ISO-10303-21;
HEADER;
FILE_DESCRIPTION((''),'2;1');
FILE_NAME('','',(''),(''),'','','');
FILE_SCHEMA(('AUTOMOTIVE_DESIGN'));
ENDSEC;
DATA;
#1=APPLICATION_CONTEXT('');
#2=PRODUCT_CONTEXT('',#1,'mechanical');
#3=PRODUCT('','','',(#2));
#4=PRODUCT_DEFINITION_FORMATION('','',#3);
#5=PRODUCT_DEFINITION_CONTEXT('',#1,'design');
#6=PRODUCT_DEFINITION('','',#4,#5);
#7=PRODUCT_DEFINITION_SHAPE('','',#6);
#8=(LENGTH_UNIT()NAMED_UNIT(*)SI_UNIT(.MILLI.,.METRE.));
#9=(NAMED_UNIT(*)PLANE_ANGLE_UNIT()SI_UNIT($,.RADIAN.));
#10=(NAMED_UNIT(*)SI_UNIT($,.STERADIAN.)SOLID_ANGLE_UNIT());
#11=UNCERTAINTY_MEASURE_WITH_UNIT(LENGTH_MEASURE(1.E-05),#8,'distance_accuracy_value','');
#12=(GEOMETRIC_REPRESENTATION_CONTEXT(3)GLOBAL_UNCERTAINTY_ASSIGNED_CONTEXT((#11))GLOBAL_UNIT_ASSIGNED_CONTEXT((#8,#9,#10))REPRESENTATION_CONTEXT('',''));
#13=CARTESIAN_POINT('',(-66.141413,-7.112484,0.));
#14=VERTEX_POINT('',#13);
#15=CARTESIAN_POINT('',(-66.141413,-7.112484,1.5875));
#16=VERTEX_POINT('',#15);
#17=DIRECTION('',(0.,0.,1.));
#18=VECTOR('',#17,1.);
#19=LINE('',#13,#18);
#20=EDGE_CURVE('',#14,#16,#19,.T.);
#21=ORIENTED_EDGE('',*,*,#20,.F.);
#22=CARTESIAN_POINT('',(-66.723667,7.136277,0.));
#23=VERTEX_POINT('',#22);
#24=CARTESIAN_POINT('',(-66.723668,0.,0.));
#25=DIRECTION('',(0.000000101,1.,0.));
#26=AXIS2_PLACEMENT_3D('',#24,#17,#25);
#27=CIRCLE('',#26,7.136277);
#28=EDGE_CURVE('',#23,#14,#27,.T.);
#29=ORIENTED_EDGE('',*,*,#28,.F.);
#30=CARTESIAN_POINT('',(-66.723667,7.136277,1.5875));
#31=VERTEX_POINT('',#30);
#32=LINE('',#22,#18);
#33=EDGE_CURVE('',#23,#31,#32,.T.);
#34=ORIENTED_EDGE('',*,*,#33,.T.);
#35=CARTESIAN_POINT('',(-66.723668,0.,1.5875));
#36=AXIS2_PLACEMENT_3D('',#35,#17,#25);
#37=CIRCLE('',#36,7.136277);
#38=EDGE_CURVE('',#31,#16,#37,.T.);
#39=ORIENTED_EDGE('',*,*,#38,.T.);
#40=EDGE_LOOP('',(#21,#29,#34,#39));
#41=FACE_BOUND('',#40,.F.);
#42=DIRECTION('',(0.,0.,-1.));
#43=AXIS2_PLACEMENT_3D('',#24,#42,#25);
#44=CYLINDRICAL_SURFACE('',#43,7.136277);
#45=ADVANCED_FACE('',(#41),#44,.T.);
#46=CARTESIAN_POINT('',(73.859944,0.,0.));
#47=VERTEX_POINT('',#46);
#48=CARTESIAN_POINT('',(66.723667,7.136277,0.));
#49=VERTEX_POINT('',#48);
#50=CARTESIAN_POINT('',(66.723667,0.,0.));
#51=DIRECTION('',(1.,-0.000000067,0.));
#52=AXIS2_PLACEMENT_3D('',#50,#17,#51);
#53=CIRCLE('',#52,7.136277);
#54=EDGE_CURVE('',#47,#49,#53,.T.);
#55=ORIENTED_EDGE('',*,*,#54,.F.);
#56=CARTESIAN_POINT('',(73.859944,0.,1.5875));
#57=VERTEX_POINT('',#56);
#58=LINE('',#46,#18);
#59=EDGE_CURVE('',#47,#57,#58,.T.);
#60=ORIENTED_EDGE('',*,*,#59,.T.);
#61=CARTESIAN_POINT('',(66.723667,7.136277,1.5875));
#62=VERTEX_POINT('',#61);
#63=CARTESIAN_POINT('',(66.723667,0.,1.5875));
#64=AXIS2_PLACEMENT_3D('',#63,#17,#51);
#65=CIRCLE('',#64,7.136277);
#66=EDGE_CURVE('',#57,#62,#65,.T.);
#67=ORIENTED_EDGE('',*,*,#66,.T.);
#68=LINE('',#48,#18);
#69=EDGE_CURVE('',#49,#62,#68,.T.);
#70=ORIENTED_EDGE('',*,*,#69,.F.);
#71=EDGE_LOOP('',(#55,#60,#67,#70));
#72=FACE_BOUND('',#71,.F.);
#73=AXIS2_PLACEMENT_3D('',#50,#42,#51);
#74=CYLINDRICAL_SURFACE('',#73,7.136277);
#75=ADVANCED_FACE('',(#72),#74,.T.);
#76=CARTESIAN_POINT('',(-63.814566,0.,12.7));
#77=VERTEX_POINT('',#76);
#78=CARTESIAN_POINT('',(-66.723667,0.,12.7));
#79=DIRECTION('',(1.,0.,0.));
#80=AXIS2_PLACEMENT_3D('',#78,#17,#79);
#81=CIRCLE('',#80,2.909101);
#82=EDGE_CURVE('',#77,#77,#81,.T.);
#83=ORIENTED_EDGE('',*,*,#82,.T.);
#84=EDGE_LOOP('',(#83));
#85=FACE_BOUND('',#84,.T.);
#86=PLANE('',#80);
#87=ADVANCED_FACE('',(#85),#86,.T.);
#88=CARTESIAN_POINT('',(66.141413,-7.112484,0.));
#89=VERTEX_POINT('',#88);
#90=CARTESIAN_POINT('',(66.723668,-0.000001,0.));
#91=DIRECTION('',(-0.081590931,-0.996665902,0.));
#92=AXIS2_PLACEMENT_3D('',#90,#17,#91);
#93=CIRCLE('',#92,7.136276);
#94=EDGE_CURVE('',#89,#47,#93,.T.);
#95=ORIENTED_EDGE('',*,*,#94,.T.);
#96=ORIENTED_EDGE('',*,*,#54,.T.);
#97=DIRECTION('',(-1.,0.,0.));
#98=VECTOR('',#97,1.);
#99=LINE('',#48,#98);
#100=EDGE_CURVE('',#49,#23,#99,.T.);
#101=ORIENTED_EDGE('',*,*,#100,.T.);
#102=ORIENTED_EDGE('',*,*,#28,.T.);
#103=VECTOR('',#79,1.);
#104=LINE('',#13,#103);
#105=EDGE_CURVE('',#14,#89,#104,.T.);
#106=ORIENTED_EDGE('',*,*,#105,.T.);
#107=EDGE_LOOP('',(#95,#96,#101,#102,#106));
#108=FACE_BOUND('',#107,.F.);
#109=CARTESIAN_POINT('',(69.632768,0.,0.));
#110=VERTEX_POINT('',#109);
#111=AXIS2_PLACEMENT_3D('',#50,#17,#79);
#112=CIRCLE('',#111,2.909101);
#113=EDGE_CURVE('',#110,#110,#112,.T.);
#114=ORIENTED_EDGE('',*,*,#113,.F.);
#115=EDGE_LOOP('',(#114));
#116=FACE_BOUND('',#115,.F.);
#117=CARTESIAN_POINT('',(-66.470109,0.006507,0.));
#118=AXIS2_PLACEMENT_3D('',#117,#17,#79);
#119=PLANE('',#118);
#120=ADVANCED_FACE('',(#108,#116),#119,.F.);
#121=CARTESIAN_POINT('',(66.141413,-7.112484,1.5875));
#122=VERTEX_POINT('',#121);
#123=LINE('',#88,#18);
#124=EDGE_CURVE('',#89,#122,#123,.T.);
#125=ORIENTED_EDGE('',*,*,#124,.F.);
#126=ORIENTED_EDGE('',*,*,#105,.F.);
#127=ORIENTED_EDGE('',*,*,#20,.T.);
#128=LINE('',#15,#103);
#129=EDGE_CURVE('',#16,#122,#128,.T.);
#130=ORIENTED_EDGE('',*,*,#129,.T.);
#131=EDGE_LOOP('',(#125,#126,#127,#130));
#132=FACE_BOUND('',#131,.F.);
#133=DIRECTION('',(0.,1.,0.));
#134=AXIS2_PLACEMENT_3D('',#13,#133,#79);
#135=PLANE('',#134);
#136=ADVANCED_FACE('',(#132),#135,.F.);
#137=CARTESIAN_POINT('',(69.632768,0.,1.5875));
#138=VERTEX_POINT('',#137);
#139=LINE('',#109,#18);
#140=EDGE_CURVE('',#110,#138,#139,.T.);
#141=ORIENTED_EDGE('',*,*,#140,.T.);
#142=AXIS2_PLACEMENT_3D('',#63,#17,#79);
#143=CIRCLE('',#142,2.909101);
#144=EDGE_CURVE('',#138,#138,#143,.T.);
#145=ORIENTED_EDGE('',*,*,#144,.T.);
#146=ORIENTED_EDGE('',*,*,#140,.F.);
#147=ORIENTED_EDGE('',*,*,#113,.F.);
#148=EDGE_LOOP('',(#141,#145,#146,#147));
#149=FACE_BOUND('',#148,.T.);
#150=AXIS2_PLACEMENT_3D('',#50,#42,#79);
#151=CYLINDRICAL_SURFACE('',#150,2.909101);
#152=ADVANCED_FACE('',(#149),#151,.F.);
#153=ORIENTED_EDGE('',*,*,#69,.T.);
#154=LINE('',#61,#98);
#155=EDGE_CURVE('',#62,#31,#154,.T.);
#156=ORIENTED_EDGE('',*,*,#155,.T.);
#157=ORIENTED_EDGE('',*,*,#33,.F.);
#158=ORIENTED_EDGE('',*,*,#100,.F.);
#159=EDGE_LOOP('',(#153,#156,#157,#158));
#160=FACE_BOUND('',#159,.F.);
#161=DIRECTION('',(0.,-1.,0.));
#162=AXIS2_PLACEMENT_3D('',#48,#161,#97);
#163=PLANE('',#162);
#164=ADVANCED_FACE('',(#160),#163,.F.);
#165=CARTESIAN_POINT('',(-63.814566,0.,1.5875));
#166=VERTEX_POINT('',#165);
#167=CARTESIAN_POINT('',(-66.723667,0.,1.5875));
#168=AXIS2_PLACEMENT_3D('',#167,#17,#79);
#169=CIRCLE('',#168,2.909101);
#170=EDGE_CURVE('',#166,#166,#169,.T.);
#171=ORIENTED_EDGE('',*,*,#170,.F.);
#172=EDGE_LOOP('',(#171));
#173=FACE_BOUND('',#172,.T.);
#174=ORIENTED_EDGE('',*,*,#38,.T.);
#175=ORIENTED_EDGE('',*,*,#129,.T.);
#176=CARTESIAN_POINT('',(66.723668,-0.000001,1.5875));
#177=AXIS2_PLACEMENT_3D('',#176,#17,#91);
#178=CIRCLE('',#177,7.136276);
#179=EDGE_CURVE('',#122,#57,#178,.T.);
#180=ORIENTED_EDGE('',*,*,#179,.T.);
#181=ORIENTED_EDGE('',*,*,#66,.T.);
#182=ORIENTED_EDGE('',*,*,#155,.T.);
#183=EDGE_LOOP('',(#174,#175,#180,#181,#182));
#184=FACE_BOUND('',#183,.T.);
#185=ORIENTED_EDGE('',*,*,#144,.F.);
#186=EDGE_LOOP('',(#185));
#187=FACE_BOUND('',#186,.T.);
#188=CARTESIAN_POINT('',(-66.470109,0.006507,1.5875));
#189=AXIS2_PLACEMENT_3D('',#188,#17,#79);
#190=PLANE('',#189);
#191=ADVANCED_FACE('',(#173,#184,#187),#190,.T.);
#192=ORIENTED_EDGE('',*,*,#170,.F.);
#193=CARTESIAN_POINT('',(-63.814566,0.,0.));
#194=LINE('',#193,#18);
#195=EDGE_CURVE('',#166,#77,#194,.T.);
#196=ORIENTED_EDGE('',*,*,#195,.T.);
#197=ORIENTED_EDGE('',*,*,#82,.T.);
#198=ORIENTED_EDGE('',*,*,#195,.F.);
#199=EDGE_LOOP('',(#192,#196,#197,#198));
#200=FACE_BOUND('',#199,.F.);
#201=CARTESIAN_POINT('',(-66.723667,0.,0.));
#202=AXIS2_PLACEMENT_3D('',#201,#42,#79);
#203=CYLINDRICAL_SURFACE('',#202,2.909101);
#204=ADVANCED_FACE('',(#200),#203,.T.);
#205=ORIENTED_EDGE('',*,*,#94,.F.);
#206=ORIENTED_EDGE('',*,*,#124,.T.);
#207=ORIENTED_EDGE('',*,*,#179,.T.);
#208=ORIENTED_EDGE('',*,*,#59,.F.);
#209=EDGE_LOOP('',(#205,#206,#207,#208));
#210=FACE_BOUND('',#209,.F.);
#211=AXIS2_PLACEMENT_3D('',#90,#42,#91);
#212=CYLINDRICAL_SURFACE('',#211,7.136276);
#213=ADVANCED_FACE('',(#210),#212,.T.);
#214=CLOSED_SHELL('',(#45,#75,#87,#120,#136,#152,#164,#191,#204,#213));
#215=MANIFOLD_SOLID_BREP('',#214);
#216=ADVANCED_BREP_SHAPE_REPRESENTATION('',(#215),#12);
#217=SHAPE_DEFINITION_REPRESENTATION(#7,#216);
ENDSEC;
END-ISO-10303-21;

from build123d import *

# Parameters (mm, degrees)
F0_R     = 2.909101
F1_DEPTH = 1.5875
F2_DEPTH = 12.7


with BuildPart() as f1:
    # F0 (on Top) → F1 (new body)
    with BuildSketch(Plane.XY):
        with BuildLine():
            ThreePointArc((-66.141413, -7.112484), (-61.475735, -4.835872), (-59.58739, 0))
            ThreePointArc((-59.58739, 0), (-61.677557, 5.04611), (-66.723667, 7.136277))
            ThreePointArc((-66.723667, 7.136277), (-73.853994, -0.29137), (-66.141413, -7.112484))
        make_face()
        with Locations((-66.723667, 0)):
            Circle(F0_R, mode=Mode.SUBTRACT)
        with BuildLine():
            ThreePointArc((-66.723667, 7.136277), (-61.677557, 5.04611), (-59.58739, 0))
            ThreePointArc((-59.58739, 0), (-61.475735, -4.835872), (-66.141413, -7.112484))
            Line((-66.141413, -7.112484), (66.141413, -7.112484))
            ThreePointArc((66.141413, -7.112484), (59.59334, 0.29137), (66.723667, 7.136277))
            Line((66.723667, 7.136277), (-66.723667, 7.136277))
        make_face()
        with BuildLine():
            ThreePointArc((73.859944, 0), (71.769777, 5.04611), (66.723667, 7.136277))
            ThreePointArc((66.723667, 7.136277), (59.59334, 0.29137), (66.141413, -7.112484))
            ThreePointArc((66.141413, -7.112484), (71.55954, -5.247932), (73.859944, 0))
        make_face()
        with Locations((66.723667, 0)):
            Circle(F0_R, mode=Mode.SUBTRACT)
    extrude(amount=F1_DEPTH)

    # F0 (on Top) → F2 (join)
    with BuildSketch(Plane.XY):
        with Locations((-66.723667, 0)):
            Circle(F0_R)
    extrude(amount=F2_DEPTH)


solid = f1.part
